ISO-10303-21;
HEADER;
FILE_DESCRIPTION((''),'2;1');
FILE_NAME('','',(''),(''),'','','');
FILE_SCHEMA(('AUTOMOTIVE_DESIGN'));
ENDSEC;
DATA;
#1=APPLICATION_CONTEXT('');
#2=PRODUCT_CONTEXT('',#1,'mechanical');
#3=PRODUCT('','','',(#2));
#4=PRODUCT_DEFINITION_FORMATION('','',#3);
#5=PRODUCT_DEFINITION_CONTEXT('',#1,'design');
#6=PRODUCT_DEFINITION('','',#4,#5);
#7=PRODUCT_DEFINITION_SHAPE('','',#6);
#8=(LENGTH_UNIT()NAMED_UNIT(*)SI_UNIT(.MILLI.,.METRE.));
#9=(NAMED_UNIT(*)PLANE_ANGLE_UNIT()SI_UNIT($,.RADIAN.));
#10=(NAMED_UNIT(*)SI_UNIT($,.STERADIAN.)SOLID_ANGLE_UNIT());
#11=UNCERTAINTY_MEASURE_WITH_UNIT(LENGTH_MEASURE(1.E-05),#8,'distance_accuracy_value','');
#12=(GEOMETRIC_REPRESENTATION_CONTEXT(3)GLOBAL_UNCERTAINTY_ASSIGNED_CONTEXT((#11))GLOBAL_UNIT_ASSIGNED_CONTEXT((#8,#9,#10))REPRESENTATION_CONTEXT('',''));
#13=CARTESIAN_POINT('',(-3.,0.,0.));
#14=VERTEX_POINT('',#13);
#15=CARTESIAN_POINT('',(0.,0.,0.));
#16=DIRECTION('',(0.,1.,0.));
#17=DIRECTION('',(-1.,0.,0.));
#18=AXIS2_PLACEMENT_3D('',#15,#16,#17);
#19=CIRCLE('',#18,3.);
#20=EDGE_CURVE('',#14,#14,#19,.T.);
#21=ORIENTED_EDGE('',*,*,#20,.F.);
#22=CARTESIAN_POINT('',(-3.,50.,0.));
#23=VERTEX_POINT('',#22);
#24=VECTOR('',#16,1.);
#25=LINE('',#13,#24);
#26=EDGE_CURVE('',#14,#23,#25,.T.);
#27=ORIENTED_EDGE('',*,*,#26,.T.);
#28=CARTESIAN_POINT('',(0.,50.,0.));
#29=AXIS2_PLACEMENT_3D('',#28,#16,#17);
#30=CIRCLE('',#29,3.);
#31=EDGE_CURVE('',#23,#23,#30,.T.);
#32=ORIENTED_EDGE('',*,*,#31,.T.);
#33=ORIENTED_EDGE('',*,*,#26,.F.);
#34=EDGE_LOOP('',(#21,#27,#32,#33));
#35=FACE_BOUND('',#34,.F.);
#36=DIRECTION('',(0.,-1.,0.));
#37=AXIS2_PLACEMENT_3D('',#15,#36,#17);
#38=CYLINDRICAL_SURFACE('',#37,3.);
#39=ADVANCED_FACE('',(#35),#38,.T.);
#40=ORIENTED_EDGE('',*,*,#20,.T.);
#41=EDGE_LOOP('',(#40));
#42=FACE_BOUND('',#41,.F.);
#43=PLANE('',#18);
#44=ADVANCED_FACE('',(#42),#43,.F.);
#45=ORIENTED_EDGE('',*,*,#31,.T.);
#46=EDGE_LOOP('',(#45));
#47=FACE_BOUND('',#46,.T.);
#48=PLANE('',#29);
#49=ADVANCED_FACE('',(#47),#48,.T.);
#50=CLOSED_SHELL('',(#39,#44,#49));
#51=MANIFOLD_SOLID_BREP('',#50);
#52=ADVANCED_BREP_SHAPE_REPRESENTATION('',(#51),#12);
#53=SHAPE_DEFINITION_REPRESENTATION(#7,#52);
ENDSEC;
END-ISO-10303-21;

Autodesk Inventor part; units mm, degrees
ref_plane "YZ Plane" through (0, 0, 0) normal (1, 0, 0) x (0, 1, 0)
ref_plane "XZ Plane" through (0, 0, 0) normal (0, 1, 0) x (-1, 0, 0)
ref_plane "XY Plane" through (0, 0, 0) normal (0, 0, 1) x (1, 0, 0)
sketch "Sketch1" plane through (0, 0, 0) normal (0, 1, 0) x (-1, 0, 0)
  circle A0 centre (0, 0) radius 3
  dimension "d0" = 6
extrude "Extrusion1" add sketch "Sketch1" along normal blind 50
properties part number "00_rod_6mm"
